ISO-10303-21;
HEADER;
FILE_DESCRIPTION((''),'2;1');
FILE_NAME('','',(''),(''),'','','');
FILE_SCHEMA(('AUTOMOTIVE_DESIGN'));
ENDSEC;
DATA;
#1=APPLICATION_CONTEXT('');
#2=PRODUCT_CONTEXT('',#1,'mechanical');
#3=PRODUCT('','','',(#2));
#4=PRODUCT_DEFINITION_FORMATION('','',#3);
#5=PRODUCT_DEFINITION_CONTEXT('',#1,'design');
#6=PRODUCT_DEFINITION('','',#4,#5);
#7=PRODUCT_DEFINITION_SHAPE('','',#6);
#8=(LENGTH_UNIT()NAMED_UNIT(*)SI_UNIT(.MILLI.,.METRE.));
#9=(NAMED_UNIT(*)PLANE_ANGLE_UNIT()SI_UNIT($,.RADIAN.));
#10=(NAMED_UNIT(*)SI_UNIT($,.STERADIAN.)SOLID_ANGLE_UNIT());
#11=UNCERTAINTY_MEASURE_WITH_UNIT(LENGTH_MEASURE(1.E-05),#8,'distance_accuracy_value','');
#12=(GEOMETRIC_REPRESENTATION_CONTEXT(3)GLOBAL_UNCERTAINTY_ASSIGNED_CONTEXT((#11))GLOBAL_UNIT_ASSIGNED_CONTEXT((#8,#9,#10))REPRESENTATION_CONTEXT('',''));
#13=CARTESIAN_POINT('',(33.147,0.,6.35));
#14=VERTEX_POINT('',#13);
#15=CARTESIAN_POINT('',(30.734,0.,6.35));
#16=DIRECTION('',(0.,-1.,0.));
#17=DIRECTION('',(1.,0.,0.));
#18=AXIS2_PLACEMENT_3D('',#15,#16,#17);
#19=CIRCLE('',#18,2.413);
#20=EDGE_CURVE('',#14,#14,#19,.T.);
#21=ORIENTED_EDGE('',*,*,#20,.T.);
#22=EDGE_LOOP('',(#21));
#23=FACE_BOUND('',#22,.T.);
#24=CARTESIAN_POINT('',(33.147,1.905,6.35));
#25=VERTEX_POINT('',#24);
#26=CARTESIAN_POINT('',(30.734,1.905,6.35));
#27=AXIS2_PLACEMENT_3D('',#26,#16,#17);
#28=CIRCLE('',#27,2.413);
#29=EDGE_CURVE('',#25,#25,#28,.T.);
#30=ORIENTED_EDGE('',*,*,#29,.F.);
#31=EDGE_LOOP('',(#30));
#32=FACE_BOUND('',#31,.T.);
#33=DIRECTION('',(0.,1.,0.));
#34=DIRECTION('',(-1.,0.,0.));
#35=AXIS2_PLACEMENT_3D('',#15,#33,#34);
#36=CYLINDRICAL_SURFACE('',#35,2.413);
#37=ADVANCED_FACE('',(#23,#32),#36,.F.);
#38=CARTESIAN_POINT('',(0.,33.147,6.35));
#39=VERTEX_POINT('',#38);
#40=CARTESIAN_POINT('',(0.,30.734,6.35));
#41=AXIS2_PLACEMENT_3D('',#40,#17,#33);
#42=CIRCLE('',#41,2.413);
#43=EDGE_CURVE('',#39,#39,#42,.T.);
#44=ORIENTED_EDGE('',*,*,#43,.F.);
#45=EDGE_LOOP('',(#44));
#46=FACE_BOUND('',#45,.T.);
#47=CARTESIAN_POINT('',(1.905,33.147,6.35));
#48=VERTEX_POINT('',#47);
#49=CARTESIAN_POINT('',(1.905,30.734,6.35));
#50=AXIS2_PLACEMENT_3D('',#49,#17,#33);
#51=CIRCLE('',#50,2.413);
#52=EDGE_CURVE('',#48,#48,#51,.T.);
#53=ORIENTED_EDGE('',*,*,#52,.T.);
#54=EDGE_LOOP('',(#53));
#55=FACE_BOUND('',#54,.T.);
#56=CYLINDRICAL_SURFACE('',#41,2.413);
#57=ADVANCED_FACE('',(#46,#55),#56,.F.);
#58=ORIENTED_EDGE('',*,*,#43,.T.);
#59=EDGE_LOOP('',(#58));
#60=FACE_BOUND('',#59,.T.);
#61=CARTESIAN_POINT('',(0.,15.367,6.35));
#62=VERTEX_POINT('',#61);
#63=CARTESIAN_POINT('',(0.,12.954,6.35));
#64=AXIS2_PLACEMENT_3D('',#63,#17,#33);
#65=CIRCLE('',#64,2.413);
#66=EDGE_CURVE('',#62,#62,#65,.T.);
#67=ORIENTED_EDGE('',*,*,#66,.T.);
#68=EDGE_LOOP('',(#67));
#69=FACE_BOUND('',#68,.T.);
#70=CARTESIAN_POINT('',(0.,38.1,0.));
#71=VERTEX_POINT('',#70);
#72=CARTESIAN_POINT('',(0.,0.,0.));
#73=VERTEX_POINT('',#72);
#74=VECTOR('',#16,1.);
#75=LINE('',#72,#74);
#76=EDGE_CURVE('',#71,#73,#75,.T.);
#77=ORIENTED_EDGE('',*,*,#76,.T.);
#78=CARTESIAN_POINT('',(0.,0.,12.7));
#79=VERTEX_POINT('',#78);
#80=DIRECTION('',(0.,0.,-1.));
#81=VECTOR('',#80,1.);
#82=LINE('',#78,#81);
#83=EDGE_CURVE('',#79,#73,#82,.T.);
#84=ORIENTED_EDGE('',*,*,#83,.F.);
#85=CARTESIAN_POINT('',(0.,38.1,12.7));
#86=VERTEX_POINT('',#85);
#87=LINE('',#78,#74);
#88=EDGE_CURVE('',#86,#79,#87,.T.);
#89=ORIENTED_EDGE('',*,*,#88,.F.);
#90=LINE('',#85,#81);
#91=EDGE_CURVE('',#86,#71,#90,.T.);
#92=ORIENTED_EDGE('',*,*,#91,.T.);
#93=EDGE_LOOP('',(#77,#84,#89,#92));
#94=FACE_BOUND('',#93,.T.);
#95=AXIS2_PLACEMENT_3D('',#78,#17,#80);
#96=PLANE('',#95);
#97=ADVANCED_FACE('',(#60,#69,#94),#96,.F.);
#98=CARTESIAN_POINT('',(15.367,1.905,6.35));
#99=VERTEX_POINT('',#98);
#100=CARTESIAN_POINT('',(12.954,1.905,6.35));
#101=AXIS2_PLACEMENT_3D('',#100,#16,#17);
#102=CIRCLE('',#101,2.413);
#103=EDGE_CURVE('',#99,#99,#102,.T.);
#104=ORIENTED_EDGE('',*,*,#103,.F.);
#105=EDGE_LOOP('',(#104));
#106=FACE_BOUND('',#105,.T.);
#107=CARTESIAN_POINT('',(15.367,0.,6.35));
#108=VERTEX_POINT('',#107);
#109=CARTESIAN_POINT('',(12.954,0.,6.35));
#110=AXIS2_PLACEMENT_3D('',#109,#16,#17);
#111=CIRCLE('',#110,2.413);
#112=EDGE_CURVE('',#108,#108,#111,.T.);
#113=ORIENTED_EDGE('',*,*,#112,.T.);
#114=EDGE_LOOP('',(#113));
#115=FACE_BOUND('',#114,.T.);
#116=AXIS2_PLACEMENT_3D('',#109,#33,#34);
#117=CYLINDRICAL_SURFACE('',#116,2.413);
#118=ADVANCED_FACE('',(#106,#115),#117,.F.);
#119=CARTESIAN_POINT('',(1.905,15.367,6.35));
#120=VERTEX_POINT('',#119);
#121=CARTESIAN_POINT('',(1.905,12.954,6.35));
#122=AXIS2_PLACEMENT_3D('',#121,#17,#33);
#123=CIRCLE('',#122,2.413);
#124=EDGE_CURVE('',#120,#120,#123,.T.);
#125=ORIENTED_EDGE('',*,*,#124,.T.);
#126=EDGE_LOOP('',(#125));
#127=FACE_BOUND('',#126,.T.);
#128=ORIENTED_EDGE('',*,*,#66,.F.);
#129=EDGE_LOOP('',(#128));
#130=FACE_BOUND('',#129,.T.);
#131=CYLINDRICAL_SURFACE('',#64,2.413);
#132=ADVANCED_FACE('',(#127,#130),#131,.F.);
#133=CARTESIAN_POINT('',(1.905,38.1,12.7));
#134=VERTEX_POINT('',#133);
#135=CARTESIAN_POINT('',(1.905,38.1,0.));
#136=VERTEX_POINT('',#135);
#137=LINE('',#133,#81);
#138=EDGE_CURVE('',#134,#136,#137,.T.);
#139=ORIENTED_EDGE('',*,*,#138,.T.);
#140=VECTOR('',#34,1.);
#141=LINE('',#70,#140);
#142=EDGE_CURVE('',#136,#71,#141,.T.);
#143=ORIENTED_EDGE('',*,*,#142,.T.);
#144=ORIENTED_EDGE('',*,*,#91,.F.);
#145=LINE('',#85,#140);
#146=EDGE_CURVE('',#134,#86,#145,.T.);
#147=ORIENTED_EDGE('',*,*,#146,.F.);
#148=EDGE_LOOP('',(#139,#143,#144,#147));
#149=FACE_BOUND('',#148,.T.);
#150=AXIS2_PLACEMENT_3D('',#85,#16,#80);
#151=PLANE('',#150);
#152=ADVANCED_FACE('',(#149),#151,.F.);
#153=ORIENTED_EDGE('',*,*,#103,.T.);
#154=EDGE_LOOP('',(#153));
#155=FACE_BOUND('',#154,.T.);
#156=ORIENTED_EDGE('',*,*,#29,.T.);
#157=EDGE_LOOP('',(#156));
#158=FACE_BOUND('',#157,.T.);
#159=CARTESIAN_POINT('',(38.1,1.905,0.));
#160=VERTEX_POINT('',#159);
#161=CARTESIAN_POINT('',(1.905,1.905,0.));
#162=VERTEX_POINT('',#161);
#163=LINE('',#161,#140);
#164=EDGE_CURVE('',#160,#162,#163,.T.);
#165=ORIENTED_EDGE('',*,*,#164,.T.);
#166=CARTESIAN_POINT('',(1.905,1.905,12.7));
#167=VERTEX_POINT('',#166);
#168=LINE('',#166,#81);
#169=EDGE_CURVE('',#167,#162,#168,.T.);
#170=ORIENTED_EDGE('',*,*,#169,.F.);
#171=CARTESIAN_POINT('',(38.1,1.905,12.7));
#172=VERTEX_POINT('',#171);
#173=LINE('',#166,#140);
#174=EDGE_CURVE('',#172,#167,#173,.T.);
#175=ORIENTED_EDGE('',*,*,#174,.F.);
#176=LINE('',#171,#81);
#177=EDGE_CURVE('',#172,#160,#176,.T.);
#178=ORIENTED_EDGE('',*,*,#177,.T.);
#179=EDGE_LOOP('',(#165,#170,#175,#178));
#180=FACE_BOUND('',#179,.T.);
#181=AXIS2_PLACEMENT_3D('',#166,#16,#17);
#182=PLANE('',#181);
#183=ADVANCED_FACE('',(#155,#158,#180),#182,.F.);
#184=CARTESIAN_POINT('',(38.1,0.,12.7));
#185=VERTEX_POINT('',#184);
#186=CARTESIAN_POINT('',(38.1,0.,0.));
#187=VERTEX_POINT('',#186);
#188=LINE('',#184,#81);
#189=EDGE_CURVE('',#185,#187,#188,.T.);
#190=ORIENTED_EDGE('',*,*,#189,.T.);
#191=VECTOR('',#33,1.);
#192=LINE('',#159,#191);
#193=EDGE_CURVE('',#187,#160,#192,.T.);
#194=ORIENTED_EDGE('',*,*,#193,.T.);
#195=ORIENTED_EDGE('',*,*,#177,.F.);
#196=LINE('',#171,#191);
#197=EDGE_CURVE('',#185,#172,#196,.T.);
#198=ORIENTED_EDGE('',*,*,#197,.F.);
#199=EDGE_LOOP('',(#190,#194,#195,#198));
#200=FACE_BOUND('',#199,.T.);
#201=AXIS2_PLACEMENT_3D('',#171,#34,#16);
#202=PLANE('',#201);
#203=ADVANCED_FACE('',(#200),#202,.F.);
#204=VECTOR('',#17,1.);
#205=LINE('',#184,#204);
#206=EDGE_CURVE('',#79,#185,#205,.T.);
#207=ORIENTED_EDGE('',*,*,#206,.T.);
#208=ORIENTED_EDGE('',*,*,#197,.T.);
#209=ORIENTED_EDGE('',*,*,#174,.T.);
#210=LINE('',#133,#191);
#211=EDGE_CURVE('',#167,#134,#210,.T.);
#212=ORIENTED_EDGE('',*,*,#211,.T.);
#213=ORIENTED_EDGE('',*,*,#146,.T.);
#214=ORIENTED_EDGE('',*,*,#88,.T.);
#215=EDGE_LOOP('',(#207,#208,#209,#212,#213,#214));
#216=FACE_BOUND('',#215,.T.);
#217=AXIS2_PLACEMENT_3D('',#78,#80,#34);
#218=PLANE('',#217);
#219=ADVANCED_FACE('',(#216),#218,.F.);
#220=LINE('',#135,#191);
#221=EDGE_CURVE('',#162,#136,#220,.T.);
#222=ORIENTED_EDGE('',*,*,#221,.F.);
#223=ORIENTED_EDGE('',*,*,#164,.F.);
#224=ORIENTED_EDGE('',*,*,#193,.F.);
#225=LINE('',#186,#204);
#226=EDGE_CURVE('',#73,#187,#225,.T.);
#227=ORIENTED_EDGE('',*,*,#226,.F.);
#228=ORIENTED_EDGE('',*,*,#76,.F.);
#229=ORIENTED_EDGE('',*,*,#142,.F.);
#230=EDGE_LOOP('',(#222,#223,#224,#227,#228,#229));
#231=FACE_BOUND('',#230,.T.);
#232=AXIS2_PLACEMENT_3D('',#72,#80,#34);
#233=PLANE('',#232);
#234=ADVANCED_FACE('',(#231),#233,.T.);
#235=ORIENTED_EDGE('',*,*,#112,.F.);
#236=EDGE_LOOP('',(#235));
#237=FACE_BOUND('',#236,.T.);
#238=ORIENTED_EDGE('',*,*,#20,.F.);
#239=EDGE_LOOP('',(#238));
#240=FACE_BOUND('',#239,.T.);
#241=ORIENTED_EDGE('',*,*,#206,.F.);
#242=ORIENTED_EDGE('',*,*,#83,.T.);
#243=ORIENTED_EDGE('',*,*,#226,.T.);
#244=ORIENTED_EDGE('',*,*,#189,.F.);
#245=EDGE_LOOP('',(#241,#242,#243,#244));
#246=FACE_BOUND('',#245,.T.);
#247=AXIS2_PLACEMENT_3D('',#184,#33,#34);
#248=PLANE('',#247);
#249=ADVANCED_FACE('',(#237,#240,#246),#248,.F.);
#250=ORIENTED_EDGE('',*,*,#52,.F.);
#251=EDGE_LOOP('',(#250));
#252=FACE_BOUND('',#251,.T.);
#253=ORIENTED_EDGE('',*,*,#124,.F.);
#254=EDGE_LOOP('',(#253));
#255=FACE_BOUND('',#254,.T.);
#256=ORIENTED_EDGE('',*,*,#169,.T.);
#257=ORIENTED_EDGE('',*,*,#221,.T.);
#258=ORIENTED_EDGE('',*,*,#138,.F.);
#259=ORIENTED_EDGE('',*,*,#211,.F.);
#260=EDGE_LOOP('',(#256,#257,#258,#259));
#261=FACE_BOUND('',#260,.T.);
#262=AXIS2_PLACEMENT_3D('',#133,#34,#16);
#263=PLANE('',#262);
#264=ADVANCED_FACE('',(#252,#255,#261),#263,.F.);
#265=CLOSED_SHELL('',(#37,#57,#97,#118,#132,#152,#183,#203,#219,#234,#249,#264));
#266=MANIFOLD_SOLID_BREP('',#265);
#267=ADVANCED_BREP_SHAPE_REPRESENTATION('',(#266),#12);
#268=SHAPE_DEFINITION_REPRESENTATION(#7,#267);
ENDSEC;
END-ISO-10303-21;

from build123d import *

# Parameters (mm, degrees)
BOSS_EXTRUDE1_DEPTH = 12.7
SKETCH2_R           = 2.413
CUT_EXTRUDE1_DEPTH  = 55.064572735


with BuildPart() as part:
    # Sketch1 → Boss-Extrude1 (new body)
    with BuildSketch(Plane.XY):
        Polygon((0, 0), (0, 38.1), (1.905, 38.1), (1.905, 1.905), (38.1, 1.905), (38.1, 0), align=None)
    extrude(amount=BOSS_EXTRUDE1_DEPTH)

    # Sketch2 → Cut-Extrude1 (cut, through all)
    with BuildSketch(Plane(origin=(1.905, 0, 0), x_dir=(0, 0, -1), z_dir=(1, 0, 0))):
        with Locations(Location((-6.35, 30.734, 0), (0, 0, 90))):
            Circle(SKETCH2_R)
        with Locations(Location((-6.35, 12.954, 0), (0, 0, 90))):
            Circle(SKETCH2_R)
    cut_extrude1 = extrude(amount=-CUT_EXTRUDE1_DEPTH, mode=Mode.SUBTRACT)

    # Mirror1: Cut-Extrude1 across plane
    add(cut_extrude1.mirror(Plane(origin=(0, 0, 0), x_dir=(0, 0, 1), z_dir=(-0.7071067811865471, 0.7071067811865479, 0))), mode=Mode.SUBTRACT)


solid = part.part
